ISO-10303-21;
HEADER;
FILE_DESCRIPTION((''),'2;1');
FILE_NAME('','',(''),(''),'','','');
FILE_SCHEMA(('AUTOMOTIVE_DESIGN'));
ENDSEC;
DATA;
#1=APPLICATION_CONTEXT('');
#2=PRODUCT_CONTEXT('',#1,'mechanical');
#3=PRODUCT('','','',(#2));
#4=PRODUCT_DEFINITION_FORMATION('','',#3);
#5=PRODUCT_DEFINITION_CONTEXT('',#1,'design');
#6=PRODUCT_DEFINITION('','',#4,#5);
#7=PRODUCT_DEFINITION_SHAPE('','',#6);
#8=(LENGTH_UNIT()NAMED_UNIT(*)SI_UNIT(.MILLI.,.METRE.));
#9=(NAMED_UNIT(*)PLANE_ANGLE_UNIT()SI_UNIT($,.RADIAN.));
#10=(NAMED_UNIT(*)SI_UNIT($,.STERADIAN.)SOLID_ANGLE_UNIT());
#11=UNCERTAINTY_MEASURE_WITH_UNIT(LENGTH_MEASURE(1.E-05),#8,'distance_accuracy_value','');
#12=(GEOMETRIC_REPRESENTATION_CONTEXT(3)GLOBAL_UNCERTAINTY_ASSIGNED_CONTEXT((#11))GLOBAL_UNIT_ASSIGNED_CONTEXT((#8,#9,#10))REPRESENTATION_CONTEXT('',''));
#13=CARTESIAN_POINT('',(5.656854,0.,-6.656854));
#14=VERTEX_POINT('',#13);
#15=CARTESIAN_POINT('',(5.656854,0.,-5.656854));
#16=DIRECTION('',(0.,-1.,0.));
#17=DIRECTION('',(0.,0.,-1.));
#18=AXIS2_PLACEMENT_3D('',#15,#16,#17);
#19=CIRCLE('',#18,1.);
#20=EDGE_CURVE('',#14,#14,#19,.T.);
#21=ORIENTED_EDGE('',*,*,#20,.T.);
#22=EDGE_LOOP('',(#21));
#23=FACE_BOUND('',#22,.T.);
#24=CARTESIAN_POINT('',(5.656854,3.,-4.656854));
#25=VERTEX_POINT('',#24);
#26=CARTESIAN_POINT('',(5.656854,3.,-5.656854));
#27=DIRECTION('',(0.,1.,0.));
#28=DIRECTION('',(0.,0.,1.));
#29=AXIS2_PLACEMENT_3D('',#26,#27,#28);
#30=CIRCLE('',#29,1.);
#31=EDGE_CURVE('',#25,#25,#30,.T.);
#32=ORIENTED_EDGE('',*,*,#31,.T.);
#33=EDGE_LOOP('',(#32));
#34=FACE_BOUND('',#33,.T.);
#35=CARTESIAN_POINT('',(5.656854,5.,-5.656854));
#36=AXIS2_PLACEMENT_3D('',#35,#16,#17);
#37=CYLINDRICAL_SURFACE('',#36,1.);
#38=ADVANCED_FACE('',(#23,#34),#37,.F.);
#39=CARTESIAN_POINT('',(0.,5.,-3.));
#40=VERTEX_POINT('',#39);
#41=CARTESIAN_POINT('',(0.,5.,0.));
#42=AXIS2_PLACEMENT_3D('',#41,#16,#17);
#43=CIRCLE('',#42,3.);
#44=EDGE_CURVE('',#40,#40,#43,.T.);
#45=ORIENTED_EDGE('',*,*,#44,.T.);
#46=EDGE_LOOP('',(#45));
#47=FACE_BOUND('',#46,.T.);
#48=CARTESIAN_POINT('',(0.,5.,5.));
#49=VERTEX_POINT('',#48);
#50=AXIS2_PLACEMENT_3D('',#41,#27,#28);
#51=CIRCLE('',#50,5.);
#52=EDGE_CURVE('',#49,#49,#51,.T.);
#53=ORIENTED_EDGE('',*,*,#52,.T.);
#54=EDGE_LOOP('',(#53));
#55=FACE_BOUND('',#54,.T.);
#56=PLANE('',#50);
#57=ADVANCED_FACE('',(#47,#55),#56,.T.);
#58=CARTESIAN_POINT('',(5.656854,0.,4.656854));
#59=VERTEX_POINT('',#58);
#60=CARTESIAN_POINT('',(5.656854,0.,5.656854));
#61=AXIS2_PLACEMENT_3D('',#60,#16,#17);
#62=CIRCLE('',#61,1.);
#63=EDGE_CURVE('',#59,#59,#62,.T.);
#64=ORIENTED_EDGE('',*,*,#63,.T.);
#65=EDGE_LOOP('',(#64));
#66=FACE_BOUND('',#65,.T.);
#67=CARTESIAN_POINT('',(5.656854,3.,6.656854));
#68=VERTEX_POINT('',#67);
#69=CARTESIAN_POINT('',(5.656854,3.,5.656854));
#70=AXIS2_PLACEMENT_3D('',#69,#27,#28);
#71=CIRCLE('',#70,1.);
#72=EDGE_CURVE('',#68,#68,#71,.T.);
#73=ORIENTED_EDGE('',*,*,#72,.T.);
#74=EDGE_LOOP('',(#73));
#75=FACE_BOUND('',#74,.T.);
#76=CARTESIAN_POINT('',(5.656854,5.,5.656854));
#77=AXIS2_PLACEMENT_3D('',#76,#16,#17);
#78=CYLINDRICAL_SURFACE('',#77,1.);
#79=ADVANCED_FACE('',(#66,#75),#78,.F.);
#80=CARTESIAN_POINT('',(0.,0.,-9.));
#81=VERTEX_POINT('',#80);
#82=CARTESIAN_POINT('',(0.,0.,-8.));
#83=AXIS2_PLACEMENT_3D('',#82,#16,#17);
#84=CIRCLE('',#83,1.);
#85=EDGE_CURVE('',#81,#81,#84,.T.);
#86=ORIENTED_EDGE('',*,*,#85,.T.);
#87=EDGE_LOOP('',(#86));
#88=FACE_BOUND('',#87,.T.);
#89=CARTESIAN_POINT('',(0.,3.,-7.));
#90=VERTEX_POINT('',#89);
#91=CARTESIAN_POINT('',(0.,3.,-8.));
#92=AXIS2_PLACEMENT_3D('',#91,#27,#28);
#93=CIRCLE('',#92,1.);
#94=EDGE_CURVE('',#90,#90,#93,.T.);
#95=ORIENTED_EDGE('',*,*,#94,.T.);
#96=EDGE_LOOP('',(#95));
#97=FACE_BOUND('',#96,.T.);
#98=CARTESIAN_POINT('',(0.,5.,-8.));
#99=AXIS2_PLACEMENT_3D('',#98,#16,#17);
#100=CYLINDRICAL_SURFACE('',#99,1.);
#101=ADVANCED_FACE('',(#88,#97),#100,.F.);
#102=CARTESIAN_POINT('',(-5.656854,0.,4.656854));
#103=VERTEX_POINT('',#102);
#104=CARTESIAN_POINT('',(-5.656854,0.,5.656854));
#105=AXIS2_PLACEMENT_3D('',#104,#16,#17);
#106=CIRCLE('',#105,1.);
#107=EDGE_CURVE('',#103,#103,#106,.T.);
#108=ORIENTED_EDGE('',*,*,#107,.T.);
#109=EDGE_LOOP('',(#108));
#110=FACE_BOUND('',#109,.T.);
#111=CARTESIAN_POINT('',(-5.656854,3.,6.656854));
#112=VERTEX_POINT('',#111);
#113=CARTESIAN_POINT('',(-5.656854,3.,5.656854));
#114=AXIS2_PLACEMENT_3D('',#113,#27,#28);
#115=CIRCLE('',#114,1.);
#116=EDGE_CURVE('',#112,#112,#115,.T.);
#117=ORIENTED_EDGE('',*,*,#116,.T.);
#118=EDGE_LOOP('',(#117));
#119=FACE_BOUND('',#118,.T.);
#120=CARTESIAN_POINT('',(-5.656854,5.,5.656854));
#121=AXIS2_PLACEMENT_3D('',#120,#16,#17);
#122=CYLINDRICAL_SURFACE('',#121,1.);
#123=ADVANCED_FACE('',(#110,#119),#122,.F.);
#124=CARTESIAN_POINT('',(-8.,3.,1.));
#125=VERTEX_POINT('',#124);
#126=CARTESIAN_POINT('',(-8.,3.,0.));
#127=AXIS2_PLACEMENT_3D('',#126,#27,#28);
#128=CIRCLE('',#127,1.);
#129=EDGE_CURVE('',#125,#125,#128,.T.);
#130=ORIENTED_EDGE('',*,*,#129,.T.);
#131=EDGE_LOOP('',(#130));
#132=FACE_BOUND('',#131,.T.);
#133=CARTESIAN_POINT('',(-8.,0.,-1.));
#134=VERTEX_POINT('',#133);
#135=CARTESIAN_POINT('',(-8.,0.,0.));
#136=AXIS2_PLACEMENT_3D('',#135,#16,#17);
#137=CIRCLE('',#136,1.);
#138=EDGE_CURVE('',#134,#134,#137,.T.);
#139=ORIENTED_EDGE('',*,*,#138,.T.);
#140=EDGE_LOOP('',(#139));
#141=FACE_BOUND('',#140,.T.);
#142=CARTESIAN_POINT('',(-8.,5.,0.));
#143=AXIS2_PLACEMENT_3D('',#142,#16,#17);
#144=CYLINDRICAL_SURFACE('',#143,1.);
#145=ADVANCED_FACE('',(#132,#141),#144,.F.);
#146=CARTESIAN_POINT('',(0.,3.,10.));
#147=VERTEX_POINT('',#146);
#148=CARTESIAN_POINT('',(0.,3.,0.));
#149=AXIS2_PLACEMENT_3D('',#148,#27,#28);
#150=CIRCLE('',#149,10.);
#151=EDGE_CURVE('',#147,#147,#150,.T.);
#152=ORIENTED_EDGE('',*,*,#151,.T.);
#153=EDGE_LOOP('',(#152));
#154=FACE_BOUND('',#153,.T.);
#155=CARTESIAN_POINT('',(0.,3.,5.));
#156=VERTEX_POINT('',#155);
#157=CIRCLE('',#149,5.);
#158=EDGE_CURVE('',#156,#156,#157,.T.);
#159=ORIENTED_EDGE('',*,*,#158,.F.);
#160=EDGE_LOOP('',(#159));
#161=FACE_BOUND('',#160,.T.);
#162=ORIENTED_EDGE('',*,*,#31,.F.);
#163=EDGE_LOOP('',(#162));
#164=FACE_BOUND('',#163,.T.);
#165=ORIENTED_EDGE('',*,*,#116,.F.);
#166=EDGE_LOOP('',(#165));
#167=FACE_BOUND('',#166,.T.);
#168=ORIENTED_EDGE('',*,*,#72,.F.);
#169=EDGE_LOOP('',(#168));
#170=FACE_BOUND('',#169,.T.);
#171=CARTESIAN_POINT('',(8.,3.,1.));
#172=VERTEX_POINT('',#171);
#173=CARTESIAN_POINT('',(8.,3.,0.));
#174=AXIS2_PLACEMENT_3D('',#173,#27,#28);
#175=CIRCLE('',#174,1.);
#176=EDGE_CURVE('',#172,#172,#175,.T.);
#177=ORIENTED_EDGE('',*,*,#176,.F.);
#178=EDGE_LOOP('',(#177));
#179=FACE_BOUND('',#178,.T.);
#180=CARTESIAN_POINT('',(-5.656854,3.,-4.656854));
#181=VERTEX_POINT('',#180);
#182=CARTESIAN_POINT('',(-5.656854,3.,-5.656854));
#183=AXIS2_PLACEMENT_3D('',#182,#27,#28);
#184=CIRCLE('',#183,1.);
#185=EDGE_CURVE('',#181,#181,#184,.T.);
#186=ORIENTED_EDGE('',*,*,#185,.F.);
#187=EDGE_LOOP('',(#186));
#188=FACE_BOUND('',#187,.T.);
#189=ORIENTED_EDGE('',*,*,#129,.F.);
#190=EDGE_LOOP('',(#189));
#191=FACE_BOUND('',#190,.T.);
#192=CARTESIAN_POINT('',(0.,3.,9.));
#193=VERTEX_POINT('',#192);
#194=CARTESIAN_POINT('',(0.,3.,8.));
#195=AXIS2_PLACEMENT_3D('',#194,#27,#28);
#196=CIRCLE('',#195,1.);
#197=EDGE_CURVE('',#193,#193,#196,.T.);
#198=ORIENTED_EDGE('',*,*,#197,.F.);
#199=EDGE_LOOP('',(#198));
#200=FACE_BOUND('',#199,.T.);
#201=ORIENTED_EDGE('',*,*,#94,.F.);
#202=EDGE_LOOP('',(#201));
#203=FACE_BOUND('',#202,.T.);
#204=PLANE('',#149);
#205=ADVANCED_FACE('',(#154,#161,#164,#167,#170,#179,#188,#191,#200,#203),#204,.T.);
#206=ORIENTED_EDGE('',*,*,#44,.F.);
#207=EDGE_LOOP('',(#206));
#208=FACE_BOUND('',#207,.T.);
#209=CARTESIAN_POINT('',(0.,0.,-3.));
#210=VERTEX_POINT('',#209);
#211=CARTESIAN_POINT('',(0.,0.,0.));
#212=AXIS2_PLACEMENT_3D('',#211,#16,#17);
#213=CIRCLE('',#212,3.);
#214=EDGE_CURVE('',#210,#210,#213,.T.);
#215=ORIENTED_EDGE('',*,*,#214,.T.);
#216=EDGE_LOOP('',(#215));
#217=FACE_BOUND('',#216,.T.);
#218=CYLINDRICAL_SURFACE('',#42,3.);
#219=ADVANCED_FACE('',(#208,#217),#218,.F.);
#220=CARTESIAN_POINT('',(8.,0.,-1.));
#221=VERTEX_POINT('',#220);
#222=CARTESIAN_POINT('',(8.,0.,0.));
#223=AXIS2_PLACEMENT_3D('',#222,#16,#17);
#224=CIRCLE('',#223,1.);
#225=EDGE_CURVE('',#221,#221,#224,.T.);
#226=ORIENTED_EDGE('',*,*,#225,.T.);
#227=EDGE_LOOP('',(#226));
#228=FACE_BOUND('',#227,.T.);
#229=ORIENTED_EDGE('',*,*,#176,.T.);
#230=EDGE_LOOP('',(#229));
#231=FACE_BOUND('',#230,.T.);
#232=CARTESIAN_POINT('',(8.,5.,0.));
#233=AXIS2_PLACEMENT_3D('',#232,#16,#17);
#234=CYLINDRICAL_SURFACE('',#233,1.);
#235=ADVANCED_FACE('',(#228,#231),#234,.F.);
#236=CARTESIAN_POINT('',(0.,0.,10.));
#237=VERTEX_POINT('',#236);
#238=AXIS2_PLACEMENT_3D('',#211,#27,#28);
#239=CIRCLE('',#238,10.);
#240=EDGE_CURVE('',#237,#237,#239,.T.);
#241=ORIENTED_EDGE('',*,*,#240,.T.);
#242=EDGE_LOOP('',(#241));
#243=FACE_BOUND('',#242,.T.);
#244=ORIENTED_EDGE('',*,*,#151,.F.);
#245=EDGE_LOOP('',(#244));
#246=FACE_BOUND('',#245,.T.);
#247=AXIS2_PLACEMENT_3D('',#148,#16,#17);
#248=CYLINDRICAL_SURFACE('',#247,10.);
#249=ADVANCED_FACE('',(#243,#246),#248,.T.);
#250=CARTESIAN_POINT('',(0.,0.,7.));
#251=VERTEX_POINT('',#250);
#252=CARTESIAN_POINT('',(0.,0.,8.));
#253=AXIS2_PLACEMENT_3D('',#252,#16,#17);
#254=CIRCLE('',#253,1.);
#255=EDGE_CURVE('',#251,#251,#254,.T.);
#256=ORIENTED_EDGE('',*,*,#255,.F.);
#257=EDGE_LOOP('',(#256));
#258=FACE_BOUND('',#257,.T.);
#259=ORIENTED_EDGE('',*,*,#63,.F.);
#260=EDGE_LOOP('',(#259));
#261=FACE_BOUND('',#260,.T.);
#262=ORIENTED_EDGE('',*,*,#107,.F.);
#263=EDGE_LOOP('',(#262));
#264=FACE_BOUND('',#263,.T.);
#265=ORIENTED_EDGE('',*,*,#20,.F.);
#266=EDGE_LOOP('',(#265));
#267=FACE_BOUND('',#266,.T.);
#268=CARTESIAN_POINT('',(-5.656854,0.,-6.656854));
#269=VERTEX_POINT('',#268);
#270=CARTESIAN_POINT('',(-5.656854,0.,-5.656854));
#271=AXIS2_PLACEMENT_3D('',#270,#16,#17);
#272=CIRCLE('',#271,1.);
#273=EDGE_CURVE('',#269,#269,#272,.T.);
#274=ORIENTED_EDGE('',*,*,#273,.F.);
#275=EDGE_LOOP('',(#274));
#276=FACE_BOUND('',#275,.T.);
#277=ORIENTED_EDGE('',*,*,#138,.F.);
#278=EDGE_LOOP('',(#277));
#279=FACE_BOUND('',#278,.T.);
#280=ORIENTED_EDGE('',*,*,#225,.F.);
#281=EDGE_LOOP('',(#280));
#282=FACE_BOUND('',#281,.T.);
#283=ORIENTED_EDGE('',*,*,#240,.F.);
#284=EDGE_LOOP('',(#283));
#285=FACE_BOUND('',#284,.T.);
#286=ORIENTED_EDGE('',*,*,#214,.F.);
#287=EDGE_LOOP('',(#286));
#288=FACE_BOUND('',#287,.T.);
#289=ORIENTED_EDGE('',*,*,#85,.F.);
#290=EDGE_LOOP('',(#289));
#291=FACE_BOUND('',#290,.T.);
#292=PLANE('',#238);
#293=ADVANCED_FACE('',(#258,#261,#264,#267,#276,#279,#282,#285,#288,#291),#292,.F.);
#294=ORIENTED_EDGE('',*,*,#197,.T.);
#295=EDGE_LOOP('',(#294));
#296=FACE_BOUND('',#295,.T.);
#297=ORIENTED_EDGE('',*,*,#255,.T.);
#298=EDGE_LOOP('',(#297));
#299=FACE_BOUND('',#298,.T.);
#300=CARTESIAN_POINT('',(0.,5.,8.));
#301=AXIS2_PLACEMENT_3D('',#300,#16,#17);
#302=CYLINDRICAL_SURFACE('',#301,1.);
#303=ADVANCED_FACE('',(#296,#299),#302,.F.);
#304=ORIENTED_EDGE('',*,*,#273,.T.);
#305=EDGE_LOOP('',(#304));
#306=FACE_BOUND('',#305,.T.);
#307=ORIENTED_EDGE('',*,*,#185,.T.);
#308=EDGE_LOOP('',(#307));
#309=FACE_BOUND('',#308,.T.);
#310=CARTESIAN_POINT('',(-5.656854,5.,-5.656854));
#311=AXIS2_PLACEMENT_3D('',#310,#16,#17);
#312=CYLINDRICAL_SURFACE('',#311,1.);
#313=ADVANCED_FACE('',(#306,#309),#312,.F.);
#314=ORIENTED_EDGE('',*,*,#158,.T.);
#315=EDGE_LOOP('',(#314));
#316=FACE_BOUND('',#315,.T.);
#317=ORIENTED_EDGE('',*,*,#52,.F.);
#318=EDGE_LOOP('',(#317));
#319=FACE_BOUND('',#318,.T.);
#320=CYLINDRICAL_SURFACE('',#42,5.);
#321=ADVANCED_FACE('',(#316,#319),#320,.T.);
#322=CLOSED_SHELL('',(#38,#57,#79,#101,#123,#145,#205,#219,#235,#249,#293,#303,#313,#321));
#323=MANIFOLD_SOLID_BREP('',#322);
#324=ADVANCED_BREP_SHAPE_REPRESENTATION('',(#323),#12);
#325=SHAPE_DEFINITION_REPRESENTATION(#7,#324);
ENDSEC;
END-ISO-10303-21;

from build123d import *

# Parameters (mm, degrees)
SKETCH_1_R          = 10
EXTRUDE_1_DEPTH     = 3
SKETCH_2_R          = 5
EXTRUDE_2_DEPTH     = 2
SKETCH_3_R          = 3
SKETCH_3_R_2        = 1
CUT_EXTRUDE_1_DEPTH = 6


with BuildPart() as part:
    # 草图1 → 凸台-拉伸1 (new body)
    with BuildSketch(Plane(origin=(0, 0, 0), x_dir=(1, 0, 0), z_dir=(0, 1, 0))):
        Circle(SKETCH_1_R)
    extrude(amount=EXTRUDE_1_DEPTH)

    # 草图2 → 凸台-拉伸2 (add)
    with BuildSketch(Plane(origin=(0, 3, 0), x_dir=(1, 0, 0), z_dir=(0, 1, 0))):
        Circle(SKETCH_2_R)
    extrude(amount=EXTRUDE_2_DEPTH)

    # 草图3 → 切除-拉伸1 (cut, through all)
    with BuildSketch(Plane.XZ):
        Circle(SKETCH_3_R)
        with Locations((0, 8)):
            Circle(SKETCH_3_R_2)
        with Locations((5.656854249, 5.656854249)):
            Circle(SKETCH_3_R_2)
        with Locations((8, 0)):
            Circle(SKETCH_3_R_2)
        with Locations((5.656854249, -5.656854249)):
            Circle(SKETCH_3_R_2)
        with Locations((0, -8)):
            Circle(SKETCH_3_R_2)
        with Locations((-5.656854249, -5.656854249)):
            Circle(SKETCH_3_R_2)
        with Locations((-8, 0)):
            Circle(SKETCH_3_R_2)
        with Locations((-5.656854249, 5.656854249)):
            Circle(SKETCH_3_R_2)
    extrude(amount=-CUT_EXTRUDE_1_DEPTH, mode=Mode.SUBTRACT)


solid = part.part
